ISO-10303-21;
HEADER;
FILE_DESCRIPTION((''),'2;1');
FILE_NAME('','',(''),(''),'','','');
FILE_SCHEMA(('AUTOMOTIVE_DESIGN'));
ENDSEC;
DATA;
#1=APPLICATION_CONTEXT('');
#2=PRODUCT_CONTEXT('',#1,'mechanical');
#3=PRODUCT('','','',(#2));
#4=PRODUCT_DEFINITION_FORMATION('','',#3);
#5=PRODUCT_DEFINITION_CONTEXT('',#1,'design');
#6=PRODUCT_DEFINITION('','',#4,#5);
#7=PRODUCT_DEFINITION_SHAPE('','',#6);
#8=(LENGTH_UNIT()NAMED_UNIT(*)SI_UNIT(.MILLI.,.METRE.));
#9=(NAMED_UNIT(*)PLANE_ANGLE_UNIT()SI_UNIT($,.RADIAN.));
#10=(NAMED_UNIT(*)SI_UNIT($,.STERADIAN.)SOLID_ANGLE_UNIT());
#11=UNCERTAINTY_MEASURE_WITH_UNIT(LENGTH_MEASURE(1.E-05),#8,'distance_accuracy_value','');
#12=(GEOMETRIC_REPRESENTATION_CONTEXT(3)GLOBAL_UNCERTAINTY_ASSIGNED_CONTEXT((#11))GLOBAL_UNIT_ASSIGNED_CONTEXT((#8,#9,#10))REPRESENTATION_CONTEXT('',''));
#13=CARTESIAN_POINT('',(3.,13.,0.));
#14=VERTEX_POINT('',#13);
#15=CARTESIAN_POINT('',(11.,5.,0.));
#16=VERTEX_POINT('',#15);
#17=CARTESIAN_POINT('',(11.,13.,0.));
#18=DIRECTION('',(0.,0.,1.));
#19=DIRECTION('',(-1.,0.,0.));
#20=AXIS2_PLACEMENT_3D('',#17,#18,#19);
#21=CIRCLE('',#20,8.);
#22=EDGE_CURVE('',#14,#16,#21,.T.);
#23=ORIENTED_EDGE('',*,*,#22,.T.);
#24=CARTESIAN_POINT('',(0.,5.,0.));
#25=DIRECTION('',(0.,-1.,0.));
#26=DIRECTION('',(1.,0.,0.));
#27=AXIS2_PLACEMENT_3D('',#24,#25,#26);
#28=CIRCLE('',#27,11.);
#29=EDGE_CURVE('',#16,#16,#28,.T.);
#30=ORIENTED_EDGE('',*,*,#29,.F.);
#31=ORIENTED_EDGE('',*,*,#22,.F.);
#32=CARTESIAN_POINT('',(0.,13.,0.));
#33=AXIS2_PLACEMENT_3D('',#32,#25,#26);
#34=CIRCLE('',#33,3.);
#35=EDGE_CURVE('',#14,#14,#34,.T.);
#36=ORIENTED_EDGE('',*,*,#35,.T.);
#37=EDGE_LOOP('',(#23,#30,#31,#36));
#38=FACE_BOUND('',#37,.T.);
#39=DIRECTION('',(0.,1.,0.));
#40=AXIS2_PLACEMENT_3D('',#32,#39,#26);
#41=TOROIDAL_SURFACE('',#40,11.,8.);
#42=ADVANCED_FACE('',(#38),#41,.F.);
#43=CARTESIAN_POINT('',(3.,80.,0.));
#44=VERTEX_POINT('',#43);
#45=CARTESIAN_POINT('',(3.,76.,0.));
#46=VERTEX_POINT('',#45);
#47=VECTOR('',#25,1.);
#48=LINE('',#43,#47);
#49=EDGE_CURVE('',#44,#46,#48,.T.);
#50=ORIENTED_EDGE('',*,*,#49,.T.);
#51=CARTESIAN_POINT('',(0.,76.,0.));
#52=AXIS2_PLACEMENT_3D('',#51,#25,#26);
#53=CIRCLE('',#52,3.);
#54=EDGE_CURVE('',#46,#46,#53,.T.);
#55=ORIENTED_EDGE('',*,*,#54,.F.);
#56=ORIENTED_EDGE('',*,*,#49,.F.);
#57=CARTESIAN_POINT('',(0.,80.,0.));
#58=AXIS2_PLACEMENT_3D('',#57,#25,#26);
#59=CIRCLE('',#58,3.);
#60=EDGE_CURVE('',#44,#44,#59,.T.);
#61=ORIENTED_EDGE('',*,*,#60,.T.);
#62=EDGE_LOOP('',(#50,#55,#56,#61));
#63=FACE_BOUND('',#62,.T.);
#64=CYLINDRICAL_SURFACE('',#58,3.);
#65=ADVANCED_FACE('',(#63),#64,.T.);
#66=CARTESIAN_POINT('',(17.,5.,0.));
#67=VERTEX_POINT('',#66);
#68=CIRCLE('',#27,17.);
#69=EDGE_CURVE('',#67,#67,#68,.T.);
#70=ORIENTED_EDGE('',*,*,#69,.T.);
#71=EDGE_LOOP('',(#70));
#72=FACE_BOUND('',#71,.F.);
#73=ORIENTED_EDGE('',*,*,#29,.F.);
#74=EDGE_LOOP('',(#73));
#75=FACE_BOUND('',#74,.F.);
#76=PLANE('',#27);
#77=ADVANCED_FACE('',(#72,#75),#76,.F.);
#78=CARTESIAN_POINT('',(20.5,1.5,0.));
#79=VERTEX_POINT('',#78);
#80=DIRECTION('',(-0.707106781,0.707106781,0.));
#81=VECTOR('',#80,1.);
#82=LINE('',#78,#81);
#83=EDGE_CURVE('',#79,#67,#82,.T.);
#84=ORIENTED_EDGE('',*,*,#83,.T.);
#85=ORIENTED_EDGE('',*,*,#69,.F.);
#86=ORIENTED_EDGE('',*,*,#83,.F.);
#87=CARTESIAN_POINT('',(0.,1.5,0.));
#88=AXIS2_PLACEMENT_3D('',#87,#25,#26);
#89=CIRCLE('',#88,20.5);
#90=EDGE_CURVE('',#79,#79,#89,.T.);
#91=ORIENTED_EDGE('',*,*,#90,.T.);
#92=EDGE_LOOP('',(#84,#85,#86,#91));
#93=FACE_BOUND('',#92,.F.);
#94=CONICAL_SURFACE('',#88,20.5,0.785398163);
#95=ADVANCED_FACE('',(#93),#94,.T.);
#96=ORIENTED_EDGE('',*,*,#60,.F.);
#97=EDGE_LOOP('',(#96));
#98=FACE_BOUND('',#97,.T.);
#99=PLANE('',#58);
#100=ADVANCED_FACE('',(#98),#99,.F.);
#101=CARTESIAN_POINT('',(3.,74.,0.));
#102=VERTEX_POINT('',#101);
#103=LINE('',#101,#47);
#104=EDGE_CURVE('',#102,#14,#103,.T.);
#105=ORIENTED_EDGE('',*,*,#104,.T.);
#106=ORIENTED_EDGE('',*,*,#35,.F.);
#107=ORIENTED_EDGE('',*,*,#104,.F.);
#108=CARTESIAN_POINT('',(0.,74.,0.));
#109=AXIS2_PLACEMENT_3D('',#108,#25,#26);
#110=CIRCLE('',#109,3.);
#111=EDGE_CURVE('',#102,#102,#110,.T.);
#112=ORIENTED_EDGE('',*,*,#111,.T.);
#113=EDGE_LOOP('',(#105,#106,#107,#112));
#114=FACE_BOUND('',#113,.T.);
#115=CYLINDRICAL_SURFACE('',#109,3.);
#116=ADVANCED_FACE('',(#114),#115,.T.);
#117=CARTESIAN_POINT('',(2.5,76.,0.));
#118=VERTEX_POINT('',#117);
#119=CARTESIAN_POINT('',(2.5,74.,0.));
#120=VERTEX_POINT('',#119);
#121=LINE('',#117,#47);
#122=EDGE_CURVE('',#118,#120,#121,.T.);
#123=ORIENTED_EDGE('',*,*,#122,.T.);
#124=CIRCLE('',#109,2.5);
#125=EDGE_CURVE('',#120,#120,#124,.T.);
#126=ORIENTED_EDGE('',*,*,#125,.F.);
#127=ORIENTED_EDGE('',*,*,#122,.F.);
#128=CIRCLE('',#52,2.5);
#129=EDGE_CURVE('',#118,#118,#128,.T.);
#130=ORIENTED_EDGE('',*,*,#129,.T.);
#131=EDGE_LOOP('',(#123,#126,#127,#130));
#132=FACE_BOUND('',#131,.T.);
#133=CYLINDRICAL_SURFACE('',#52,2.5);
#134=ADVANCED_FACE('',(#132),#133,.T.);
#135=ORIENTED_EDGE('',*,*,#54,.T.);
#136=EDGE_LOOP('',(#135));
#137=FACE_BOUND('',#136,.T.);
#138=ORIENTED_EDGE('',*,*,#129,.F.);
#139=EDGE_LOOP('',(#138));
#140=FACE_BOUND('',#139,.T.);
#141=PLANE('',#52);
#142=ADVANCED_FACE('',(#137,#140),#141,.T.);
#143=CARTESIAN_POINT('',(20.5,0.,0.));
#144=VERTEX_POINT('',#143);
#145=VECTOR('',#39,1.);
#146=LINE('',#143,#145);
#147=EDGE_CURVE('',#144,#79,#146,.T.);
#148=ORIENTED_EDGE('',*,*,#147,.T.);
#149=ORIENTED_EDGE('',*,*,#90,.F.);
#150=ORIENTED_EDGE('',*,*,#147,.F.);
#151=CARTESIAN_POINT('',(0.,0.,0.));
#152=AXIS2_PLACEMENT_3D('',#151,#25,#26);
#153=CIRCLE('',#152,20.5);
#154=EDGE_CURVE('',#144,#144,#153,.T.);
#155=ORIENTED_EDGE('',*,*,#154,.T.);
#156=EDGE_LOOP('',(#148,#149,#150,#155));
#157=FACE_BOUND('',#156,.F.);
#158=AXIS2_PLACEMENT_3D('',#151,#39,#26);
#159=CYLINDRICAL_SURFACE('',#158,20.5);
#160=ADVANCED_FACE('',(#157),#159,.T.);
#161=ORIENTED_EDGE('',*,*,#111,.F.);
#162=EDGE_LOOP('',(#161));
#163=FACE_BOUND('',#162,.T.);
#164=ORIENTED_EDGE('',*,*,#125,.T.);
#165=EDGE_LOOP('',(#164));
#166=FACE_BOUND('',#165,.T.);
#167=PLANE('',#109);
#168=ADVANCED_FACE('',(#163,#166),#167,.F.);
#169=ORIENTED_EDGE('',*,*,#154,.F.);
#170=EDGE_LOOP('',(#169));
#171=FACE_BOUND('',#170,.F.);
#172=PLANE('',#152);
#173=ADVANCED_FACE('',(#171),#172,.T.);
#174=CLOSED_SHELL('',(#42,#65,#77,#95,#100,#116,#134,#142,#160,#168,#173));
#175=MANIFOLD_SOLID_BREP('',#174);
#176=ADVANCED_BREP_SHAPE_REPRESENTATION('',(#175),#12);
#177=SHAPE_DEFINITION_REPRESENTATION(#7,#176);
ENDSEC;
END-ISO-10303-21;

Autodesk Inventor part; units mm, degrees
ref_plane "YZ Plane" through (0, 0, 0) normal (1, 0, 0) x (0, 1, 0)
ref_plane "XZ Plane" through (0, 0, 0) normal (0, 1, 0) x (-1, 0, 0)
ref_plane "XY Plane" through (0, 0, 0) normal (0, 0, 1) x (1, 0, 0)
sketch "Эскиз1" plane through (0, 0, 0) normal (0, 0, 1) x (1, 0, 0)
  line L0 (0, 0) -> (20.5, 0)
  line L1 (20.5, 0) -> (20.5, 1.5)
  line L2 (20.5, 1.5) -> (17, 5)
  line L3 (0, 80) -> (3, 80)
  line L4 (17, 5) -> (11, 5)
  arc A0 (3, 13) -> (11, 5) centre (11, 13) ccw
  line L5 (3, 80) -> (3, 76)
  line L6 (3, 76) -> (2.5, 76)
  line L7 (2.5, 76) -> (2.5, 74)
  line L8 (2.5, 74) -> (3, 74)
  line L9 (3, 80) -> (3, 76)
  line L10 (3, 74) -> (3, 13)
  line L11 (0, 80) -> (0, 0)
  dimension "d0" = 20.5
  dimension "d1" = 1.5
  dimension "d2" = 45
  dimension "d3" = 17
  dimension "d4" = 3
  dimension "d5" = 8
  dimension "d6" = 80
  dimension "d7" = 4
  dimension "d8" = 2
  dimension "d9" = 0.5
revolve "Вращение1" add sketch "Эскиз1" angle 360 about axis through (0, 80, 0) along (0, -1, 0)
properties part number "впускной клапан"
